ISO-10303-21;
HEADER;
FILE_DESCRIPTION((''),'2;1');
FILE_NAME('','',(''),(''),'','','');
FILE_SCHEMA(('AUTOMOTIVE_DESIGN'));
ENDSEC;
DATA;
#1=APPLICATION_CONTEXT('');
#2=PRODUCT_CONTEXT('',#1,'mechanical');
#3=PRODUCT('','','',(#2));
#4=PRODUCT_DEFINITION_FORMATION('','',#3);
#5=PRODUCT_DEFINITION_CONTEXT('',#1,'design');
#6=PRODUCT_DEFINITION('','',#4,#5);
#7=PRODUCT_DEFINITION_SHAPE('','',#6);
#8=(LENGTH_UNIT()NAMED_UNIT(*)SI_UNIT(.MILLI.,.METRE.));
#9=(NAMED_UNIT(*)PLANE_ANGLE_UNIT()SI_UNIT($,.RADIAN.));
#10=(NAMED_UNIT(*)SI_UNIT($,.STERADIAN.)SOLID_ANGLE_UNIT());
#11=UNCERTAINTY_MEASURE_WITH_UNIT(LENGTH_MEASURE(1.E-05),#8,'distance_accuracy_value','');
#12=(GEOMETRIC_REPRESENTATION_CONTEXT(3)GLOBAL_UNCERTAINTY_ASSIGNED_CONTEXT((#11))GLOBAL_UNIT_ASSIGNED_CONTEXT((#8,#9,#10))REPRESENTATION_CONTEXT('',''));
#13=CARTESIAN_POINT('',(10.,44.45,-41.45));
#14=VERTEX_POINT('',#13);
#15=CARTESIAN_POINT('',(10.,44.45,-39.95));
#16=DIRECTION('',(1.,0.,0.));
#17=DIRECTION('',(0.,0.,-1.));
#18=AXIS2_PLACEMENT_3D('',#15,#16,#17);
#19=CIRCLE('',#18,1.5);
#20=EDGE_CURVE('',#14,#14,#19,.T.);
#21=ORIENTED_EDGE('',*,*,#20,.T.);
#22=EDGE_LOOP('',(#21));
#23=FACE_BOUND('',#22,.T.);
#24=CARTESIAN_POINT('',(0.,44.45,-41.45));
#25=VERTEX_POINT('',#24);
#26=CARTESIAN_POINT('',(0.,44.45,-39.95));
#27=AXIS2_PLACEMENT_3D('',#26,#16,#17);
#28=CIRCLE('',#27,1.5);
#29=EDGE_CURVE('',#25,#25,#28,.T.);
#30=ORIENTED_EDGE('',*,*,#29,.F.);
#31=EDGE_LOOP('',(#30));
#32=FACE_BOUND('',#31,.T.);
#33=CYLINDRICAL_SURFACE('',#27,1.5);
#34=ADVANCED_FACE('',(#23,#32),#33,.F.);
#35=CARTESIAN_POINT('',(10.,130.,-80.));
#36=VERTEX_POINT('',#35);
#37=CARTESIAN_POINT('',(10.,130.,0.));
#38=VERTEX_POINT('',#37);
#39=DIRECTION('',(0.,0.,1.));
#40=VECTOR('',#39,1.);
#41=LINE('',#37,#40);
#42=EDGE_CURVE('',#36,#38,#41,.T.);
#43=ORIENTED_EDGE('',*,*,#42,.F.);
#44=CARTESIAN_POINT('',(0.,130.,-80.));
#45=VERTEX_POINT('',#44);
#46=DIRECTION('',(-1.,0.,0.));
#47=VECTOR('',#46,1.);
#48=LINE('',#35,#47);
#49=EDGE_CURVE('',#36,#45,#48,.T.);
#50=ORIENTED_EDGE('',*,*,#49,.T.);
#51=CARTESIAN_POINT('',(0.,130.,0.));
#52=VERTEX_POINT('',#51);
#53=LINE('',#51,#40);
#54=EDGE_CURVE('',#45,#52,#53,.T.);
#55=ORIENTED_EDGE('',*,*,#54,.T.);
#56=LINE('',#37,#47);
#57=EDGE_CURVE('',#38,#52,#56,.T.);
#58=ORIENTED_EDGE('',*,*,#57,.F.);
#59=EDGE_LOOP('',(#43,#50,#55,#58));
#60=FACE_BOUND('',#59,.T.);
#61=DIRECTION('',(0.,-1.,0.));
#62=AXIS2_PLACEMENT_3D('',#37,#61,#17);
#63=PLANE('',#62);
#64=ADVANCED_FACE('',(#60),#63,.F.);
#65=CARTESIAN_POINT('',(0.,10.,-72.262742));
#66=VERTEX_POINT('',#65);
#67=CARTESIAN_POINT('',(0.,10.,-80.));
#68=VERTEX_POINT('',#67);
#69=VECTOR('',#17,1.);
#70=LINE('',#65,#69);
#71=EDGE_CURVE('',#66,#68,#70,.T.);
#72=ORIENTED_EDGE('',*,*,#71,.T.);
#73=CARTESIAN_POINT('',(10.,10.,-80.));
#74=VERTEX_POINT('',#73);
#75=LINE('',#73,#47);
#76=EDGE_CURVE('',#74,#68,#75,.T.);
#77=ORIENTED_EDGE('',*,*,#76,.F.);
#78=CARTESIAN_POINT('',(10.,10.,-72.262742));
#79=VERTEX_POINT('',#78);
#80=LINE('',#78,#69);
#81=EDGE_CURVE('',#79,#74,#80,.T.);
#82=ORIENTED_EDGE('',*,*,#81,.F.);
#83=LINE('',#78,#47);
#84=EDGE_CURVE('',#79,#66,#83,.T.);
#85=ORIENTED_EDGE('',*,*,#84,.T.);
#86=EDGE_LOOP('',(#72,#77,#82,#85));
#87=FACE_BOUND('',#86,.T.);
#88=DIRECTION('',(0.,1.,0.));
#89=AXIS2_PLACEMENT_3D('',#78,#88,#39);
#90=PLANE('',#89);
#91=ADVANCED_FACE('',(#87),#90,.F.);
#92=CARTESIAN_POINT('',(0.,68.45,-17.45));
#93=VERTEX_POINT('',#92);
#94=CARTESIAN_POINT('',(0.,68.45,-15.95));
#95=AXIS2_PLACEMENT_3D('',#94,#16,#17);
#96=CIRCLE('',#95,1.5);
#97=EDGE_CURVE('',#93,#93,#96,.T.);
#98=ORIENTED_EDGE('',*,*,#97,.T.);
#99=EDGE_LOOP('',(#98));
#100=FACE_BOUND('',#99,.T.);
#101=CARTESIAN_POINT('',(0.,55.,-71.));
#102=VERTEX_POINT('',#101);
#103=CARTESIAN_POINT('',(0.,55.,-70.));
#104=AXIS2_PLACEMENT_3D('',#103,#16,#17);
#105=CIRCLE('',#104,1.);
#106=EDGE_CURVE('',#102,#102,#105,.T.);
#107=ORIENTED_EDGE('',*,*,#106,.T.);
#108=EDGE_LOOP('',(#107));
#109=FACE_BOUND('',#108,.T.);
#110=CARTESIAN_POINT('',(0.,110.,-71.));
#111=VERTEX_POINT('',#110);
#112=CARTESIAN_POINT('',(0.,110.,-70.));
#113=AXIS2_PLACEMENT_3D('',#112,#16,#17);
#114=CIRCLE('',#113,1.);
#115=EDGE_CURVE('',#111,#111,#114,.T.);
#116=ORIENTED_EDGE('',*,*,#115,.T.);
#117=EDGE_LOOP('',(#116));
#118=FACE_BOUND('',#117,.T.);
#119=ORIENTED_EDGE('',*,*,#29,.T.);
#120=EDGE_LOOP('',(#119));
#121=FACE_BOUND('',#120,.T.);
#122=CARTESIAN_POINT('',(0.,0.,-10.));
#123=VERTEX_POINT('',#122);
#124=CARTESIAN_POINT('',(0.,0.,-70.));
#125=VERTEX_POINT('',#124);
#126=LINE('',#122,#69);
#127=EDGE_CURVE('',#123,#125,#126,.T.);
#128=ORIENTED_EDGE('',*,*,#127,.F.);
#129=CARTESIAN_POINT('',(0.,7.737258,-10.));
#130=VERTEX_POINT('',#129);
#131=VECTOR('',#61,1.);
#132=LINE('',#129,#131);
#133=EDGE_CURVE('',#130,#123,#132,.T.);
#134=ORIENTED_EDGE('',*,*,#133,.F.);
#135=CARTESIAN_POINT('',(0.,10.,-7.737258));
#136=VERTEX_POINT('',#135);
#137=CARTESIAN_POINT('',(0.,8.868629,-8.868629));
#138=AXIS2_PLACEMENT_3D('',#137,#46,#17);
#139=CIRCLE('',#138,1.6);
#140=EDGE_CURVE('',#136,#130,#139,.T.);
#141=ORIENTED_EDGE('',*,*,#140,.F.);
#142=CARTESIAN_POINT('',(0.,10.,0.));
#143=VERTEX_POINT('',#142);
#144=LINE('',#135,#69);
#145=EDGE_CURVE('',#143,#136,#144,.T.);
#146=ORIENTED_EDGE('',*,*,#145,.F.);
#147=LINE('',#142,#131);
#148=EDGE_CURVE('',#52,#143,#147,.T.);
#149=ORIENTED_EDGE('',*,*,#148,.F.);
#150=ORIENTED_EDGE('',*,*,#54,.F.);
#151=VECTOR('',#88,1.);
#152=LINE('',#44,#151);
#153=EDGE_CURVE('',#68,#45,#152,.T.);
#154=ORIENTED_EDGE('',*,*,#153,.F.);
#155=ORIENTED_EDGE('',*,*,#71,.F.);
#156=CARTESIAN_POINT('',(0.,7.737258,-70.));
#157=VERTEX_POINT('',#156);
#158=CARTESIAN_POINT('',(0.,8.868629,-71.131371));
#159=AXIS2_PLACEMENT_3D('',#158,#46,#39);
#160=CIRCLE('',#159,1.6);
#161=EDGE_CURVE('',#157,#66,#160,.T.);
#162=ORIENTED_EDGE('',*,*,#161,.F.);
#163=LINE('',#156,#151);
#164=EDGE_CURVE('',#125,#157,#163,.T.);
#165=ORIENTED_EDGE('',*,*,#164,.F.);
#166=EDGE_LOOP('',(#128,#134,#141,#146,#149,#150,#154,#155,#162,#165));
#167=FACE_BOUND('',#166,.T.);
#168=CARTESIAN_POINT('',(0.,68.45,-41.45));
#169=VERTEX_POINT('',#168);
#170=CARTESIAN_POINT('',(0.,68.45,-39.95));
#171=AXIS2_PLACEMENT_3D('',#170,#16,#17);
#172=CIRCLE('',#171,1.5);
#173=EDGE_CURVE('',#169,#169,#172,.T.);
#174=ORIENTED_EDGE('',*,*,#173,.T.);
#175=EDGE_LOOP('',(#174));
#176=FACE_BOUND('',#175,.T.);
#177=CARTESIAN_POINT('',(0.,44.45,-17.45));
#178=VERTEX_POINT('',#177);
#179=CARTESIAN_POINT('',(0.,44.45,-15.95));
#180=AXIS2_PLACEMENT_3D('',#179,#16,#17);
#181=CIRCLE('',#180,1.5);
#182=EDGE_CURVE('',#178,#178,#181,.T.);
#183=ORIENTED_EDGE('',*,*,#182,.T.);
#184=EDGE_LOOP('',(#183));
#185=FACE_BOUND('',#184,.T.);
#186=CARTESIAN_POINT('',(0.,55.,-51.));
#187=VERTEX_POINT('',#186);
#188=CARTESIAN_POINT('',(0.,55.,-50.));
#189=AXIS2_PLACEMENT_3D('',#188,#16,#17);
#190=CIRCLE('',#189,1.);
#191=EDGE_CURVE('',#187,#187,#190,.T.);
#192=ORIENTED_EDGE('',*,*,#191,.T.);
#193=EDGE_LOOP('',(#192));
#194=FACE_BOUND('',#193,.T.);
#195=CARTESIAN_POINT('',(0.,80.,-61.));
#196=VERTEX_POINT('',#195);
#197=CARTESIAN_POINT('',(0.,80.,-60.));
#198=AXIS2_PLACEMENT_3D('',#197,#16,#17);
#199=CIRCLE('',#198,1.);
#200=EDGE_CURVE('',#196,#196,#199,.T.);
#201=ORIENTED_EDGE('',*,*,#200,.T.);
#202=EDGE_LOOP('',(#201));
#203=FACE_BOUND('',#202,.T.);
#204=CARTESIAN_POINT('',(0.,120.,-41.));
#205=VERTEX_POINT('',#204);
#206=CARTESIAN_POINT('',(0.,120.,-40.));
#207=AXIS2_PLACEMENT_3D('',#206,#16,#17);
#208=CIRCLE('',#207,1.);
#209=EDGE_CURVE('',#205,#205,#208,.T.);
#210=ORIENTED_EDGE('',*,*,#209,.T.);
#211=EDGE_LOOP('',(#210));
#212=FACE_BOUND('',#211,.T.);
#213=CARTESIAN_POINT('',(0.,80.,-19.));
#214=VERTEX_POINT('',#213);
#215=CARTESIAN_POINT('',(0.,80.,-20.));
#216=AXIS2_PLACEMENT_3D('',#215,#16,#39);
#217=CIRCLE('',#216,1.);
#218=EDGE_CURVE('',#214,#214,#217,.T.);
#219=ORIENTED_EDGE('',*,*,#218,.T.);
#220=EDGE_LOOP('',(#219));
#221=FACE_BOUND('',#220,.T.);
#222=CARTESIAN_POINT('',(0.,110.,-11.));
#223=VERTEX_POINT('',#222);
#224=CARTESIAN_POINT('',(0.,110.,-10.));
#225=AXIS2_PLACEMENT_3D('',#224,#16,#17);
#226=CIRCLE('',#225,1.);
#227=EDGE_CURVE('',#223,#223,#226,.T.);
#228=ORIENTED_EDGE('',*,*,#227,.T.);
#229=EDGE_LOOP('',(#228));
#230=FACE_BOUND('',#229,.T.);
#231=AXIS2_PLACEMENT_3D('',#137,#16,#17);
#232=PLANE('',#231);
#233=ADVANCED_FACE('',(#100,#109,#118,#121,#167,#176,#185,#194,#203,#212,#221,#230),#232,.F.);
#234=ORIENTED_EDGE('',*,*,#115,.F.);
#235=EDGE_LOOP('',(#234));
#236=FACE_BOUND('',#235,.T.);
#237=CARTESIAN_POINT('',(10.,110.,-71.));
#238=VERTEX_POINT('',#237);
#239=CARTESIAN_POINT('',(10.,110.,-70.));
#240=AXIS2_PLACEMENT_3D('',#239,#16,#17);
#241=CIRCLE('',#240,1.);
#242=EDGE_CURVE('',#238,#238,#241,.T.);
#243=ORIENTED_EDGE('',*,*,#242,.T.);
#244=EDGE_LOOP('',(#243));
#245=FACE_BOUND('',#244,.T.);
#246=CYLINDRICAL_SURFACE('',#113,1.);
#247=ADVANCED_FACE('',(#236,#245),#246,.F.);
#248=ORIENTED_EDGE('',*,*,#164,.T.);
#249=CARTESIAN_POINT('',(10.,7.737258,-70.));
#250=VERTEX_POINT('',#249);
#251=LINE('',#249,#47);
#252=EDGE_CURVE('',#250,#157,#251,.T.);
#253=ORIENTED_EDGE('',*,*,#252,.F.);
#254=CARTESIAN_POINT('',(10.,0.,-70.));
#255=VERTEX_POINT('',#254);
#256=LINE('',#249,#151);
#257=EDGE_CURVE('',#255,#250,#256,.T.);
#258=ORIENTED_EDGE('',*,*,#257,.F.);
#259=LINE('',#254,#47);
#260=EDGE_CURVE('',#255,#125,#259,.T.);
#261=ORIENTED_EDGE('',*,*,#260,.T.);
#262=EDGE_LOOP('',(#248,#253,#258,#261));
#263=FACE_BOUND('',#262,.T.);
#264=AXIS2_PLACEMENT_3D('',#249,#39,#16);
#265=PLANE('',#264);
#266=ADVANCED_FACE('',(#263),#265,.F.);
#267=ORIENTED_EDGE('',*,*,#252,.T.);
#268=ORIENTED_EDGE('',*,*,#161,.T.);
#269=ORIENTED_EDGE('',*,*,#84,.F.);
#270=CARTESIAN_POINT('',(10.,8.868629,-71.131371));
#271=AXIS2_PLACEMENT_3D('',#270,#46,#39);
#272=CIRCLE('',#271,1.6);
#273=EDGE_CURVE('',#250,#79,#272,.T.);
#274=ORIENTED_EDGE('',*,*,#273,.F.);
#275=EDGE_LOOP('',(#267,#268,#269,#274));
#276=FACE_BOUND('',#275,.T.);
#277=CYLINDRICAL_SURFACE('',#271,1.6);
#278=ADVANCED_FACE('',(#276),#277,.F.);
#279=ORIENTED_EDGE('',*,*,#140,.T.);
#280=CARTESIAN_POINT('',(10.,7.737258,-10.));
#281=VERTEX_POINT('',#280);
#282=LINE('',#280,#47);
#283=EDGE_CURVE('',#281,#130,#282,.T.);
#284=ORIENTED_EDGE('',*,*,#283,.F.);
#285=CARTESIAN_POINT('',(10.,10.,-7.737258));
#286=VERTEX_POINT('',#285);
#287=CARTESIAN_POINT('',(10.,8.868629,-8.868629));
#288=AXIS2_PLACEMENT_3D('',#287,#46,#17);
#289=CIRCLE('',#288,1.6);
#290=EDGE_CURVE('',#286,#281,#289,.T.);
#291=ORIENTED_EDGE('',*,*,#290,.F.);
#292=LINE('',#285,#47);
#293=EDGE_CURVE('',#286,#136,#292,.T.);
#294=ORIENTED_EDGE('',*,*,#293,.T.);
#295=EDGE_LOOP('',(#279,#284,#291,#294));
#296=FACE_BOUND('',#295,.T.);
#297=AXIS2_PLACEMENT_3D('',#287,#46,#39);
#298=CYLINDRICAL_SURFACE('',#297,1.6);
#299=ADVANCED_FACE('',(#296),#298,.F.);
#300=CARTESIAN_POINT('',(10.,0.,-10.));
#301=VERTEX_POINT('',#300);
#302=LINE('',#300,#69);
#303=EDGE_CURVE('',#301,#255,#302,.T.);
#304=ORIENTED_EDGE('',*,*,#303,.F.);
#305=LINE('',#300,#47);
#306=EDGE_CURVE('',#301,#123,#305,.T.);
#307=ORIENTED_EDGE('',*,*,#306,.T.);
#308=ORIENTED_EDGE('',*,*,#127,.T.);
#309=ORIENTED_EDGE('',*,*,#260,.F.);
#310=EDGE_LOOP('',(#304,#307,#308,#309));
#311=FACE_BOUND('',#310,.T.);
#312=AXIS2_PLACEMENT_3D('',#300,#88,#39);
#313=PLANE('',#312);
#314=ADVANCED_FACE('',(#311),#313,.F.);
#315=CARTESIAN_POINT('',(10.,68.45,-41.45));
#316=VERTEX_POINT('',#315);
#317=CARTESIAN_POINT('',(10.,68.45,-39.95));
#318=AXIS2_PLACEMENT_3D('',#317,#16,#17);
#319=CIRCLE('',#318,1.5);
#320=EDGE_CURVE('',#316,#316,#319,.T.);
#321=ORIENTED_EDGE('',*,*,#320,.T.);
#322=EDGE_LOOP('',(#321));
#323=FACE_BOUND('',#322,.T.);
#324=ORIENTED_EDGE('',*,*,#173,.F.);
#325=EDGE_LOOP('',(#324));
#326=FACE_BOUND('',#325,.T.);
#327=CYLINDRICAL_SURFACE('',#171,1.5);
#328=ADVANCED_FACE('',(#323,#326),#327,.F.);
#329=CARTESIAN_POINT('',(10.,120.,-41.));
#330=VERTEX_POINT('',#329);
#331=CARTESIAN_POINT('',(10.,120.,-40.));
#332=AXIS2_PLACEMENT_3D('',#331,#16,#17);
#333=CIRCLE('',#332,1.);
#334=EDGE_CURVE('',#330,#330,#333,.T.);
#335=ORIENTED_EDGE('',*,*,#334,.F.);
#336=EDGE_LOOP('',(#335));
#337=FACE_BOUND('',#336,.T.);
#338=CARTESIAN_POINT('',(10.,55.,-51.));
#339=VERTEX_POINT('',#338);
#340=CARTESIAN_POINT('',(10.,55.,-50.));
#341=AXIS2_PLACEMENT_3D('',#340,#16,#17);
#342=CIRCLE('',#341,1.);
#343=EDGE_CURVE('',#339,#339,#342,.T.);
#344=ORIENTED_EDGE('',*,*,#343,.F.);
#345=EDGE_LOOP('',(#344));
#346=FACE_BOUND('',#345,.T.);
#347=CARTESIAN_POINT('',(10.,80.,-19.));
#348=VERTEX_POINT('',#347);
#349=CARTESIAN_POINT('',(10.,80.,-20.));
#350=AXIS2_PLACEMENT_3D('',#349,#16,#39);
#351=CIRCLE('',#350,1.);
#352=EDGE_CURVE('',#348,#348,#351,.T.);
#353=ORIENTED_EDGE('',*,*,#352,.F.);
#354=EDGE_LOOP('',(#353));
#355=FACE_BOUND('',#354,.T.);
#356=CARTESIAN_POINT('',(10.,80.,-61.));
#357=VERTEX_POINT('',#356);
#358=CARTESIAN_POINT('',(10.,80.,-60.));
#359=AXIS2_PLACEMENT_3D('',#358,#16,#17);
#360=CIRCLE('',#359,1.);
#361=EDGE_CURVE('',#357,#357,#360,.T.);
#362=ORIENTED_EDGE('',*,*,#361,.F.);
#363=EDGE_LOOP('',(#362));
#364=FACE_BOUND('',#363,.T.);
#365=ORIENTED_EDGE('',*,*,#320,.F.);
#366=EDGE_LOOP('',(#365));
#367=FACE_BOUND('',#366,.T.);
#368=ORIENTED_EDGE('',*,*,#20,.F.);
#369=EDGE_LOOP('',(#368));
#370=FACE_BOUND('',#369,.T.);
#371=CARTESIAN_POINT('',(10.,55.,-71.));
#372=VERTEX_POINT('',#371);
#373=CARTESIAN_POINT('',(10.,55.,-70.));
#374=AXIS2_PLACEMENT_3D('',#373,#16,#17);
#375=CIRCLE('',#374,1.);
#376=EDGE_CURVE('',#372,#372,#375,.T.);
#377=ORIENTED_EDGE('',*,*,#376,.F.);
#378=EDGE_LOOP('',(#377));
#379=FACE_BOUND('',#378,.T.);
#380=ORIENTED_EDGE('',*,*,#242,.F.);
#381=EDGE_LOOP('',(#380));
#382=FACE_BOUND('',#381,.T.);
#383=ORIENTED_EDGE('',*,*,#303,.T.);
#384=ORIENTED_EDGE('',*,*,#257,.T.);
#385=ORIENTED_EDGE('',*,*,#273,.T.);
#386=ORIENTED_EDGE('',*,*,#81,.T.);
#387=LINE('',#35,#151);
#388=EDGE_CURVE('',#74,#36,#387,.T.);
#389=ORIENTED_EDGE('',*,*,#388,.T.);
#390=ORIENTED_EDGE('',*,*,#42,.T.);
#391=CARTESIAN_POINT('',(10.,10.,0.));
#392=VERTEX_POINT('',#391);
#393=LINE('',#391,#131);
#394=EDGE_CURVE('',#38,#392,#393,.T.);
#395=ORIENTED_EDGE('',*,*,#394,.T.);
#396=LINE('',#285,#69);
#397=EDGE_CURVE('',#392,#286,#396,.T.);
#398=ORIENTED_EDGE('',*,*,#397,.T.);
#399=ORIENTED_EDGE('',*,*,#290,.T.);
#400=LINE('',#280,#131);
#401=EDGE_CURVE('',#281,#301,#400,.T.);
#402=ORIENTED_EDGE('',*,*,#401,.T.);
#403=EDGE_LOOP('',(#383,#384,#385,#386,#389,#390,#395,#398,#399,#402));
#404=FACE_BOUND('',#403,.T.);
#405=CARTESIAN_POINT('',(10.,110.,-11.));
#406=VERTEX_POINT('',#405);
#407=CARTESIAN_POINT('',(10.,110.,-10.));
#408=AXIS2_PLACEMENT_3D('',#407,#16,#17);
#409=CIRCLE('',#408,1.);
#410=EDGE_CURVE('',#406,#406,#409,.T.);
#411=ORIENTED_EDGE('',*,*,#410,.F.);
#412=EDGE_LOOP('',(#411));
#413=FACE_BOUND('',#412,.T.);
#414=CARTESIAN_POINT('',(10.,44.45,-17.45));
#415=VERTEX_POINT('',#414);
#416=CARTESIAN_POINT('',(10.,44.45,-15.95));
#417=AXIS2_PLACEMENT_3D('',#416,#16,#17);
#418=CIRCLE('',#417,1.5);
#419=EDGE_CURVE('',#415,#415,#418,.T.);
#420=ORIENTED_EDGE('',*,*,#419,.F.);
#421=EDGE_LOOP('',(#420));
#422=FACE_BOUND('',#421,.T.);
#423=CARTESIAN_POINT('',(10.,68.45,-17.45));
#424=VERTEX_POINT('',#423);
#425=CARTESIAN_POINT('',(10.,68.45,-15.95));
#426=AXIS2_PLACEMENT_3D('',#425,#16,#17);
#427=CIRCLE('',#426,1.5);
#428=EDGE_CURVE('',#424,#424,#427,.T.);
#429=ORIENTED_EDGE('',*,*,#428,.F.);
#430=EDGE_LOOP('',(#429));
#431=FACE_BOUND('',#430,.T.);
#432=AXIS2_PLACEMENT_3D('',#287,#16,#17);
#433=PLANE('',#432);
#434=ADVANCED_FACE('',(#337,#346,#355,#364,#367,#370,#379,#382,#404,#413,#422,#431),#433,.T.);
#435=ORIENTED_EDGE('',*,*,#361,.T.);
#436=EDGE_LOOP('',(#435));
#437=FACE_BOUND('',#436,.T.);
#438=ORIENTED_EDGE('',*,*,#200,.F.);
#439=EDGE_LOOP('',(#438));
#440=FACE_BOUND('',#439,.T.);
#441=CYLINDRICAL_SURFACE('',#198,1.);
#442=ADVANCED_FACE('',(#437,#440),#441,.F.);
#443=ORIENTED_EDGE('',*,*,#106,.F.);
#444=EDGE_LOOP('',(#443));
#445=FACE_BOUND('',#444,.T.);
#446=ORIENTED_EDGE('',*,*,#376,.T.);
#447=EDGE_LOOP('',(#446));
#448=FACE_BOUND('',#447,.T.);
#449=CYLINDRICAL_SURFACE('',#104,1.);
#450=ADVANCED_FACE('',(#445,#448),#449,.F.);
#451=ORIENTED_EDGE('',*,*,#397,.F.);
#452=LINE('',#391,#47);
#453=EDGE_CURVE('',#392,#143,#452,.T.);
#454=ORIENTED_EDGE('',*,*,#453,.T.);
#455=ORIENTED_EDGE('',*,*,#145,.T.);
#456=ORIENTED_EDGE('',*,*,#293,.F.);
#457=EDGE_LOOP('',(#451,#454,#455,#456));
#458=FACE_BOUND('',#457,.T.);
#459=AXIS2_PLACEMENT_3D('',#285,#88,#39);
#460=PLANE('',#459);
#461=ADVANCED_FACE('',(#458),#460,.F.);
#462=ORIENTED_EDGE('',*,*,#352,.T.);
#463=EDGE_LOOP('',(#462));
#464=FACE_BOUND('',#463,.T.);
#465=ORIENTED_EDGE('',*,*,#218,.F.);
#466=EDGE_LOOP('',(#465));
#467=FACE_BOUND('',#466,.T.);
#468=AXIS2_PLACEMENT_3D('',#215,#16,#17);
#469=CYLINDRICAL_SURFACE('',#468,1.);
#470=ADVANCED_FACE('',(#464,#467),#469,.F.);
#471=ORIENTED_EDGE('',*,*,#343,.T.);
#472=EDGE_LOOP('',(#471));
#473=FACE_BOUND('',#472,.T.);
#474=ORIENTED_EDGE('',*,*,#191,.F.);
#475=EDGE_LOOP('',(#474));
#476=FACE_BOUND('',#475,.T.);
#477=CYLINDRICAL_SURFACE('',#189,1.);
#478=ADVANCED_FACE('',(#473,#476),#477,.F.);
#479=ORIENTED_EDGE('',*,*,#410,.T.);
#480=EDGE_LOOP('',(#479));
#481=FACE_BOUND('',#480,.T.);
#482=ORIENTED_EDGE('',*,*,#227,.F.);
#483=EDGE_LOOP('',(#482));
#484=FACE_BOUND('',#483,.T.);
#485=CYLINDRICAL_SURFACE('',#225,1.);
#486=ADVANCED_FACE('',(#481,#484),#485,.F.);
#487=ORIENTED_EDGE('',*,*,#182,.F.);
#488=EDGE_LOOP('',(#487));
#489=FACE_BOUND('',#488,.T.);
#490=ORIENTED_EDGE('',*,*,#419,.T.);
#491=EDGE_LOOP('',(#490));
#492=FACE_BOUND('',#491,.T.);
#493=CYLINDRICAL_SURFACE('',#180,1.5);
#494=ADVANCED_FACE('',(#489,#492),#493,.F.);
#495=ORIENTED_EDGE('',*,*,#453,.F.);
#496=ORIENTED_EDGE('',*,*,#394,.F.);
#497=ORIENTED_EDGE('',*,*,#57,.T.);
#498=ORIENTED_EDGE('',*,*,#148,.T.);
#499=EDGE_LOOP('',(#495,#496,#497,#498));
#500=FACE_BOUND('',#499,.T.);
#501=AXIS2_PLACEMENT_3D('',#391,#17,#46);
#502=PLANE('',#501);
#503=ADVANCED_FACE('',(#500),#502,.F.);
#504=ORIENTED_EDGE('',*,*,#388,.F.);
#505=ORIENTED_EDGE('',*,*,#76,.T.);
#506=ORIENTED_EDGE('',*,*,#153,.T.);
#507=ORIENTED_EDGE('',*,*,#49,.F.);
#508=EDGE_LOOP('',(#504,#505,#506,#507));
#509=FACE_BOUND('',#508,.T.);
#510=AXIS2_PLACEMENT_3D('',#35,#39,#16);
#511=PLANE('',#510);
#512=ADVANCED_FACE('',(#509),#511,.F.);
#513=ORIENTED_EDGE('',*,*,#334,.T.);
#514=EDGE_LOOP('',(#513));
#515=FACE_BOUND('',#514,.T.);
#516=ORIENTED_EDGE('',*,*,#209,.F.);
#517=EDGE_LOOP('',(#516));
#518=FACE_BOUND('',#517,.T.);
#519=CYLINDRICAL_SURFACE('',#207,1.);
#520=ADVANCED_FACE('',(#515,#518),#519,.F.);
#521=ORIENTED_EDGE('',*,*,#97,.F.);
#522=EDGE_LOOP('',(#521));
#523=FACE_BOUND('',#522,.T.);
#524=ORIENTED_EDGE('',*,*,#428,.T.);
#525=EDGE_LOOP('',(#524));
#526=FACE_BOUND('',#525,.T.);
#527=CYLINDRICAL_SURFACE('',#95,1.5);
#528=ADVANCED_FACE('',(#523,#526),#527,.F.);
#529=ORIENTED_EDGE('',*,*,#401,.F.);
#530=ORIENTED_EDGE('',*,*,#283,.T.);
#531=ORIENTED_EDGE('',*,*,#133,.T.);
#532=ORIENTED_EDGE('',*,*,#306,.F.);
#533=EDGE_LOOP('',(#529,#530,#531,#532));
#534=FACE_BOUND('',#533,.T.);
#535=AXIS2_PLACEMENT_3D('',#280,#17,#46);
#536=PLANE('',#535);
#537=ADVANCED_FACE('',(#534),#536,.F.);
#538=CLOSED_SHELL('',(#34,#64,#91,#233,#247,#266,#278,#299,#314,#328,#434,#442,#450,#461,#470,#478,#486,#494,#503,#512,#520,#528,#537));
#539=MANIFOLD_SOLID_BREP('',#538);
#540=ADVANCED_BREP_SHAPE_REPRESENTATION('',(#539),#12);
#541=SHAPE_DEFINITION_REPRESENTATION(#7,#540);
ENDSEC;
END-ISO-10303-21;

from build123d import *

# Parameters (mm, degrees)
EXTRUSION1_DEPTH        = 10
ESQUISSE2_R             = 1
ESQUISSE2_R_2           = 1.5
ENL_V_MAT_EXTRU_1_DEPTH = 11


with BuildPart() as part:
    # Esquisse1 → Extrusion1 (new body)
    with BuildSketch(Plane(origin=(0, 0, 0), x_dir=(0, 0, -1), z_dir=(1, 0, 0))):
        with BuildLine():
            Line((10, 7.7372583), (10, 0))
            Line((10, 0), (70, 0))
            Line((70, 0), (70, 7.7372583))
            ThreePointArc((70, 7.7372583), (70, 10), (72.2627417, 10))
            Line((72.2627417, 10), (80, 10))
            Line((80, 10), (80, 130))
            Line((80, 130), (0, 130))
            Line((0, 130), (0, 10))
            Line((0, 10), (7.7372583, 10))
            ThreePointArc((7.7372583, 10), (10, 10), (10, 7.7372583))
        make_face()
    extrude(amount=EXTRUSION1_DEPTH)

    # Esquisse2 → Enlèv. mat.-Extru.1 (cut, through all)
    with BuildSketch(Plane(origin=(10, 0, 0), x_dir=(0, 0, -1), z_dir=(1, 0, 0))):
        with Locations((60, 80)):
            Circle(ESQUISSE2_R)
        with Locations((10, 110)):
            Circle(ESQUISSE2_R)
        with Locations(Location((20, 80, 0), (0, 0, 180))):  # turned: the seam where the file's is
            Circle(ESQUISSE2_R)
        with Locations((70, 110)):
            Circle(ESQUISSE2_R)
        with Locations((15.95, 68.45)):
            Circle(ESQUISSE2_R_2)
        with Locations((15.95, 44.45)):
            Circle(ESQUISSE2_R_2)
        with Locations((39.95, 44.45)):
            Circle(ESQUISSE2_R_2)
        with Locations((39.95, 68.45)):
            Circle(ESQUISSE2_R_2)
        with Locations((40, 120)):
            Circle(ESQUISSE2_R)
        with Locations((70, 55)):
            Circle(ESQUISSE2_R)
        with Locations((50, 55)):
            Circle(ESQUISSE2_R)
    extrude(amount=-ENL_V_MAT_EXTRU_1_DEPTH, mode=Mode.SUBTRACT)


solid = part.part
